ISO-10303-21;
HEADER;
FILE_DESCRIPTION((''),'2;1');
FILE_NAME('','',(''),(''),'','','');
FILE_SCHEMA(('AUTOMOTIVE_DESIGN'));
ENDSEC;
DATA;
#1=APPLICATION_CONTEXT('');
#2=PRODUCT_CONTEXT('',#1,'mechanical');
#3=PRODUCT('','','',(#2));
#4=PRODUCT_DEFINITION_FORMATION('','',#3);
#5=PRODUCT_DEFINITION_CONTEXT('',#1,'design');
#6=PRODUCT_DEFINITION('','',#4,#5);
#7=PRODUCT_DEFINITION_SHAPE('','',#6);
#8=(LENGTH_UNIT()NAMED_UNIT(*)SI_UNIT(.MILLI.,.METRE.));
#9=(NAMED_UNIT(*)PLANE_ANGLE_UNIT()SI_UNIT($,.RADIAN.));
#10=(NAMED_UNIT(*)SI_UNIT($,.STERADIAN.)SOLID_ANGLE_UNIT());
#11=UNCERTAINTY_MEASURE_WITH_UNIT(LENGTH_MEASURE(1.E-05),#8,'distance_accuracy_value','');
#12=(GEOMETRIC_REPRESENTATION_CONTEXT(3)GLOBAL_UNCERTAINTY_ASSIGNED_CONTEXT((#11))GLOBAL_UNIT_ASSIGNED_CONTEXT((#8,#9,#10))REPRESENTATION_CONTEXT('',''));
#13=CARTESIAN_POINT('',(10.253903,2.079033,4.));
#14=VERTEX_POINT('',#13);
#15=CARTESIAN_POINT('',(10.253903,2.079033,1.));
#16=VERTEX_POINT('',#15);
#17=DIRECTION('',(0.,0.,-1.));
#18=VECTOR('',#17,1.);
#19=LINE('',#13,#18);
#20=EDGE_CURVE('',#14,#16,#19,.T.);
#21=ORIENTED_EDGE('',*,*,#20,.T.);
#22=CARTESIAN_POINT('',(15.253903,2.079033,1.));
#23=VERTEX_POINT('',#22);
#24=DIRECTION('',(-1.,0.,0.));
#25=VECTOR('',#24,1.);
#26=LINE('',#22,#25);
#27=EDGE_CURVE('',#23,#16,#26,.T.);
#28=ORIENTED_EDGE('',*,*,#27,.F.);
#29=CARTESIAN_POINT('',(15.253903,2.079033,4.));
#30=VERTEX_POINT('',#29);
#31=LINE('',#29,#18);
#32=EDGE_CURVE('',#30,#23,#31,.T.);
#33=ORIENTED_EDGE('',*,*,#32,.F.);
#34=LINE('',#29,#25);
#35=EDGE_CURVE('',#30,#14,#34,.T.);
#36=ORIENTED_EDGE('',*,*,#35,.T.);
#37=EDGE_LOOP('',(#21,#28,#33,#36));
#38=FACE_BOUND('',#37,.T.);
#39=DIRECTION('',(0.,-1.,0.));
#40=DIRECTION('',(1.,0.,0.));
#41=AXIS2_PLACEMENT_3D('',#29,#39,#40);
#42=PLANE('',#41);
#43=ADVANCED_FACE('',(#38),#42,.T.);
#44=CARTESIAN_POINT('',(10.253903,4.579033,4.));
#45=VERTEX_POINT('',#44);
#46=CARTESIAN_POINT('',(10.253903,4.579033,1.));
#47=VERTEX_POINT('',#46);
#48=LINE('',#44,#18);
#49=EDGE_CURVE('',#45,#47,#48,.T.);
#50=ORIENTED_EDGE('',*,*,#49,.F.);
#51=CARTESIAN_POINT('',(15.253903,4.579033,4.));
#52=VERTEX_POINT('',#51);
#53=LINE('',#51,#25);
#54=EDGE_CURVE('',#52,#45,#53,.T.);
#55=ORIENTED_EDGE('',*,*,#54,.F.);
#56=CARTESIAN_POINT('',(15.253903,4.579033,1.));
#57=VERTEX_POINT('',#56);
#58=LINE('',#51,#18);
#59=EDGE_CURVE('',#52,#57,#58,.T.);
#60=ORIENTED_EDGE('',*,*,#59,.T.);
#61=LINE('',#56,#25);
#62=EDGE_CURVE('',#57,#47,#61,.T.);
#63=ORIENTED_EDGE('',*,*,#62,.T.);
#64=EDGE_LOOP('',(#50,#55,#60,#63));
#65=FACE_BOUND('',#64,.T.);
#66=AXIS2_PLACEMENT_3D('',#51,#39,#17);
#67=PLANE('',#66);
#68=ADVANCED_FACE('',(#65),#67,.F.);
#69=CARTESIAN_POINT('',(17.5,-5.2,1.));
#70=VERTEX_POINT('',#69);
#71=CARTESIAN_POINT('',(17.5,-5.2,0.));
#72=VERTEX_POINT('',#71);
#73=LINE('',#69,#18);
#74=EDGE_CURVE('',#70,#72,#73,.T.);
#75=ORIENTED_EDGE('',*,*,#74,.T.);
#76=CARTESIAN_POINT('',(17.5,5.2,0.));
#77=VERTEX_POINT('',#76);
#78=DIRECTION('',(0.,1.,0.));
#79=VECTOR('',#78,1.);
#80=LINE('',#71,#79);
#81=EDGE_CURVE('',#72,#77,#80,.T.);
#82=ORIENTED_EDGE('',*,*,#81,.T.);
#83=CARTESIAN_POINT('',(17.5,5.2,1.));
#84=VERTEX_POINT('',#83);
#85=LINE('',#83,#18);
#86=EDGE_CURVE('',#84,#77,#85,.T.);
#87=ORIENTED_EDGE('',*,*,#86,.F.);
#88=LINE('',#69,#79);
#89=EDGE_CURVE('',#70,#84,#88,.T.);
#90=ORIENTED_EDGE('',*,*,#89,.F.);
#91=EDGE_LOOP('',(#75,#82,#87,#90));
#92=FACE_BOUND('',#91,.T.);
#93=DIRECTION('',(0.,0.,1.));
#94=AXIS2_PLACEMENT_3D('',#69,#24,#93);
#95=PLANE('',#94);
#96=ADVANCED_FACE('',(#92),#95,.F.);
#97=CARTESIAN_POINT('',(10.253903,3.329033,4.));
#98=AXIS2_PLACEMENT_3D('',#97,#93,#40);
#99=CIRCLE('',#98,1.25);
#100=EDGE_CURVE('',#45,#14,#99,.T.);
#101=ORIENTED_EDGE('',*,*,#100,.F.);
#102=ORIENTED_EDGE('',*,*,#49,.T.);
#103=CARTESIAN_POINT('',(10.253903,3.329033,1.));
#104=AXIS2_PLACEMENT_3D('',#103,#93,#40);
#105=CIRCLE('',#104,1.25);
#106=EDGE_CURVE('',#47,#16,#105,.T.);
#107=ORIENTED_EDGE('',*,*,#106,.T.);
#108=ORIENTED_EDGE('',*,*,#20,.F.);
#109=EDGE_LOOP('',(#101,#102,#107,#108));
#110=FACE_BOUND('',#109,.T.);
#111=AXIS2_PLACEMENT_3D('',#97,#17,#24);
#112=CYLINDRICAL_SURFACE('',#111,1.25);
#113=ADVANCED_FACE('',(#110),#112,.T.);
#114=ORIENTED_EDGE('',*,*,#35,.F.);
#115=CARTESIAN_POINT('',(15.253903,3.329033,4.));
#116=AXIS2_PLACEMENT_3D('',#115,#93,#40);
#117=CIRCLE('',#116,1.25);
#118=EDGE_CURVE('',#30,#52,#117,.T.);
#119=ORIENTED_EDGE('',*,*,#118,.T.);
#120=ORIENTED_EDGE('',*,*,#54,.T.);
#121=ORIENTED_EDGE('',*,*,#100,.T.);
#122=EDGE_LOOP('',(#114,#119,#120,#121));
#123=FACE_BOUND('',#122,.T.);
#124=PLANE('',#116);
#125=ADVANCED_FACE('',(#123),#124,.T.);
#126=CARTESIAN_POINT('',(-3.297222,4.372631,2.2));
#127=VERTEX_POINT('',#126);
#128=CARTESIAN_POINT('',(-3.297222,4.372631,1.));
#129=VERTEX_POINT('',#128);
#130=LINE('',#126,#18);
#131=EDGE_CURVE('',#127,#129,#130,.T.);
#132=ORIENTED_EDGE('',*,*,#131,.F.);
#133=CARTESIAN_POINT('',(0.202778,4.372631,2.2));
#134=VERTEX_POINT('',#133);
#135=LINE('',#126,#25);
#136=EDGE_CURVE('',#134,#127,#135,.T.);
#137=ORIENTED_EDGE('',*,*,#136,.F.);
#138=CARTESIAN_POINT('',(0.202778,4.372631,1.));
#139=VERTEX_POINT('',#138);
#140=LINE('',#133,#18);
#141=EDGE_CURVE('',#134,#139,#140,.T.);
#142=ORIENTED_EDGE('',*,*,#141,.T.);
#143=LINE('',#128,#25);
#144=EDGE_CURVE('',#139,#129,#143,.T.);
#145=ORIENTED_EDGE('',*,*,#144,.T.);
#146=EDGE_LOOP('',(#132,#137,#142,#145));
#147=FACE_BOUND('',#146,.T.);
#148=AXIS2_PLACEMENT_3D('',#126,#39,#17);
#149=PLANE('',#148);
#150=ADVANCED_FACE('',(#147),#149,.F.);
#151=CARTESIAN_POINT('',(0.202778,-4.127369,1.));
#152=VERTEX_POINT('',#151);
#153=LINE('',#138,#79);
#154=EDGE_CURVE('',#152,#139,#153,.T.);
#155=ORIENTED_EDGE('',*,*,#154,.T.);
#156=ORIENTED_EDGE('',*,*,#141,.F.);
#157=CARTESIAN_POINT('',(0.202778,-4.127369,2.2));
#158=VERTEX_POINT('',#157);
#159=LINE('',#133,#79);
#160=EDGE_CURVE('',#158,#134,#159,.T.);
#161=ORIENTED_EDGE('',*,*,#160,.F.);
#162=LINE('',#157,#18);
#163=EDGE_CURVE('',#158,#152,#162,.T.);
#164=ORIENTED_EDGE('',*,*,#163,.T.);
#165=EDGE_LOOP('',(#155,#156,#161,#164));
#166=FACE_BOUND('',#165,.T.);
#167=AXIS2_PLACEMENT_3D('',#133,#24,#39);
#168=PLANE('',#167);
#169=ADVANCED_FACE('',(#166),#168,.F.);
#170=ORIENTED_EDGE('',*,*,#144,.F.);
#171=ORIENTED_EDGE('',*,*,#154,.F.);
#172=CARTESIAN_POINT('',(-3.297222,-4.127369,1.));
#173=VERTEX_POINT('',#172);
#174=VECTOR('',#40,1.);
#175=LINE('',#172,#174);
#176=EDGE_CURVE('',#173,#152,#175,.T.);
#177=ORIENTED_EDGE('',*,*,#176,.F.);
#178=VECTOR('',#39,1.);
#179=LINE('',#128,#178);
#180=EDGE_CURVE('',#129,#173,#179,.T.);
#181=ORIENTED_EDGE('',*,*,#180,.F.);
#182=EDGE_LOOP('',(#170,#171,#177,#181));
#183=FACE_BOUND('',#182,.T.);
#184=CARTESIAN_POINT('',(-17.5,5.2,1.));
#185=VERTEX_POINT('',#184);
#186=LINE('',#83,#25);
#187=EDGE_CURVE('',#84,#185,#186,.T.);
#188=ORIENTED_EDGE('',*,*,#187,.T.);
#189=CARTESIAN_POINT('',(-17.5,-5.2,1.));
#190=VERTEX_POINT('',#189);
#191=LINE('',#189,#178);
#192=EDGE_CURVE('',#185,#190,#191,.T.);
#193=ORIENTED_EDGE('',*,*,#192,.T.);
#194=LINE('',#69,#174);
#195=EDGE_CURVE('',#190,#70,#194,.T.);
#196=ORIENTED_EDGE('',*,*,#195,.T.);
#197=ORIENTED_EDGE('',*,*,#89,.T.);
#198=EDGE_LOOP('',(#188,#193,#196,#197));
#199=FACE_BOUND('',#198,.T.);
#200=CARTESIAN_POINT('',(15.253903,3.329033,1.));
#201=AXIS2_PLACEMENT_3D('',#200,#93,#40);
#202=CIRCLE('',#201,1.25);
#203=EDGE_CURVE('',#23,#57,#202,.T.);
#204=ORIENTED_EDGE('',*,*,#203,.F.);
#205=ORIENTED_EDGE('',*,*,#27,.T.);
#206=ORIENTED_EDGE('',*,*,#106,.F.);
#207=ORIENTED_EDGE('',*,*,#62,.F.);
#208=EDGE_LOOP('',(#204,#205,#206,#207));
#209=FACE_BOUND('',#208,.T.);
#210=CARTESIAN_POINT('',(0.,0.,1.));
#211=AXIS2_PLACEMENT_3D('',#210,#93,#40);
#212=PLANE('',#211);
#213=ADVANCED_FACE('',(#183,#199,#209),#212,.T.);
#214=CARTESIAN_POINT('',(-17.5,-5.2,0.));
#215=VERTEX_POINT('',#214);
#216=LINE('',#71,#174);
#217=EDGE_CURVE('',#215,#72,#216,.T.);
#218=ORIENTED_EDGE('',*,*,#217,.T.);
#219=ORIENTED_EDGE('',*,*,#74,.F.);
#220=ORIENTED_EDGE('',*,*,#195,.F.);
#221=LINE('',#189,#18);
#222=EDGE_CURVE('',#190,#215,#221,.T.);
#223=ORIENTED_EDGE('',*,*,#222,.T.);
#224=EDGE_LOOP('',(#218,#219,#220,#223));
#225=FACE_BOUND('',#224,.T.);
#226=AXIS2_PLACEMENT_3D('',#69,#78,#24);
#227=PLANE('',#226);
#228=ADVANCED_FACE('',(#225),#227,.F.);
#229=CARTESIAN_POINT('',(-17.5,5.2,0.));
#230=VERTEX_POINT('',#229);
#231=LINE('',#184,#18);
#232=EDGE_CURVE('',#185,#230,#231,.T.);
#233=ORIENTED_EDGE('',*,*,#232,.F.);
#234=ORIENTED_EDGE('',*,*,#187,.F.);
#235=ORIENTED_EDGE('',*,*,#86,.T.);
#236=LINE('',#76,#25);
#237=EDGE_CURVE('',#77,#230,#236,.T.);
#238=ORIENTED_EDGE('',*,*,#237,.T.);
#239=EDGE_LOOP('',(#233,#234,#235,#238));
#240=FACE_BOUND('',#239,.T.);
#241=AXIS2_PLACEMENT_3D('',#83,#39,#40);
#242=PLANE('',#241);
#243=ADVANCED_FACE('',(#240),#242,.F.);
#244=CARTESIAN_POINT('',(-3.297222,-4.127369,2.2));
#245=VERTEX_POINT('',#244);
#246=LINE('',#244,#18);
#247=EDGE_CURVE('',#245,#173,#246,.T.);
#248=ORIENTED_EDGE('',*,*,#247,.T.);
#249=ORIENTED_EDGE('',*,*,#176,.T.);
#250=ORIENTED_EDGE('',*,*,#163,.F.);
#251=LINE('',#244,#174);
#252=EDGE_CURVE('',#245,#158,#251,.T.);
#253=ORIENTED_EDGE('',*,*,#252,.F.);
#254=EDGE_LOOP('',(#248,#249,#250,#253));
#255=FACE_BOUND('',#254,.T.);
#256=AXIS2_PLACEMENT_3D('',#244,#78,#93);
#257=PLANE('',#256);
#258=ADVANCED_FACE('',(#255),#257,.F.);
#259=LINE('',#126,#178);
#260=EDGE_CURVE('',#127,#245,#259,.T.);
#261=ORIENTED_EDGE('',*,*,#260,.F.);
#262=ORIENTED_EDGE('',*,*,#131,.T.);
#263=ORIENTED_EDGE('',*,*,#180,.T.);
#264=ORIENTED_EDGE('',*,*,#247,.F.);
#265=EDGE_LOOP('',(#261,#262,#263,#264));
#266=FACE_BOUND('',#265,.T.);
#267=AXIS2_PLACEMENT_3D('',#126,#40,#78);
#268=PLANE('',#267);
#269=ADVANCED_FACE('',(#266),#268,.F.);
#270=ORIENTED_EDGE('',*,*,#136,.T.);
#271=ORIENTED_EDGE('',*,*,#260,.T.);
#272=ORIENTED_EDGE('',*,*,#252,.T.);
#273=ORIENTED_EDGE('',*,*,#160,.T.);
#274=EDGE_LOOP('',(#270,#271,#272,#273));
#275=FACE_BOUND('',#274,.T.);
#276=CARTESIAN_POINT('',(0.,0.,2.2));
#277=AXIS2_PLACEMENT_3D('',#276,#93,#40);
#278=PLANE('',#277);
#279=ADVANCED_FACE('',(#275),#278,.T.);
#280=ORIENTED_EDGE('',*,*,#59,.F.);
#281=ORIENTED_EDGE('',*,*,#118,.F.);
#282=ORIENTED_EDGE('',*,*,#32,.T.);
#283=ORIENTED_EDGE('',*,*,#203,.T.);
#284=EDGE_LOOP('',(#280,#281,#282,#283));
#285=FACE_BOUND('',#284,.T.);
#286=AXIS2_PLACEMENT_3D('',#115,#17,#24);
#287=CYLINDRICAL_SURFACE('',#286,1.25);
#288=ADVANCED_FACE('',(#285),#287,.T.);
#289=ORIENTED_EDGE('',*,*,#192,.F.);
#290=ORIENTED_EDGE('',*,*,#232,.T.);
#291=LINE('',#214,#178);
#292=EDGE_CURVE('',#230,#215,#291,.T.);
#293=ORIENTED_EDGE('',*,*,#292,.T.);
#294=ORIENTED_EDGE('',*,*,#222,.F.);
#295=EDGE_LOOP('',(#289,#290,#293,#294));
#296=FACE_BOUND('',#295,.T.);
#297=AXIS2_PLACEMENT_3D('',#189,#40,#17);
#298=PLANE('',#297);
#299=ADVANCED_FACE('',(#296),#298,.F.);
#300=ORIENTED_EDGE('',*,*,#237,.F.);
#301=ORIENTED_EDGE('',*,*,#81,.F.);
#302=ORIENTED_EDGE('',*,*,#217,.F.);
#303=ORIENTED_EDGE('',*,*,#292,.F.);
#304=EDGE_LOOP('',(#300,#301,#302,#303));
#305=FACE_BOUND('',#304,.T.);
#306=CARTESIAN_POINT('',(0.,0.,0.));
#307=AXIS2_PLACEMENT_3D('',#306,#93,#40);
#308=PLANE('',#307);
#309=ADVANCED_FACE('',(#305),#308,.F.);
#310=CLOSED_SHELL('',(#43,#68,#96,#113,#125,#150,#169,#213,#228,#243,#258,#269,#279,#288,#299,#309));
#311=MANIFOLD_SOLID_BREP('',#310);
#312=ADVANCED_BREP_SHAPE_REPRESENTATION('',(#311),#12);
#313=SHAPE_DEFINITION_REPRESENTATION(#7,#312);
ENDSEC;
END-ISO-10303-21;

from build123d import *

# Parameters (mm, degrees)
SKETCH1_W           = 35
SKETCH1_H           = 10.4
BOSS_EXTRUDE1_DEPTH = 1
BOSS_EXTRUDE3_DEPTH = 3
SKETCH3_W           = 3.5
SKETCH3_H           = 8.5
BOSS_EXTRUDE4_DEPTH = 1.2


with BuildPart() as part:
    # Sketch1 → Boss-Extrude1 (new body)
    with BuildSketch(Plane.XY):
        Rectangle(SKETCH1_W, SKETCH1_H)
    extrude(amount=BOSS_EXTRUDE1_DEPTH)

    # Sketch2 → Boss-Extrude3 (add)
    with BuildSketch(Plane.XY.offset(1)):
        with BuildLine():
            Line((15.253902663, 2.079032558), (10.253902663, 2.079032558))
            ThreePointArc((10.253902663, 2.079032558), (9.003902663, 3.329032558), (10.253902663, 4.579032558))
            Line((10.253902663, 4.579032558), (15.253902663, 4.579032558))
            ThreePointArc((15.253902663, 4.579032558), (16.503902663, 3.329032558), (15.253902663, 2.079032558))
        make_face()
    extrude(amount=BOSS_EXTRUDE3_DEPTH)

    # Sketch3 → Boss-Extrude4 (add)
    with BuildSketch(Plane.XY.offset(1)):
        with Locations((-1.547221583, 0.122630604)):
            Rectangle(SKETCH3_W, SKETCH3_H)
    extrude(amount=BOSS_EXTRUDE4_DEPTH)


solid = part.part
